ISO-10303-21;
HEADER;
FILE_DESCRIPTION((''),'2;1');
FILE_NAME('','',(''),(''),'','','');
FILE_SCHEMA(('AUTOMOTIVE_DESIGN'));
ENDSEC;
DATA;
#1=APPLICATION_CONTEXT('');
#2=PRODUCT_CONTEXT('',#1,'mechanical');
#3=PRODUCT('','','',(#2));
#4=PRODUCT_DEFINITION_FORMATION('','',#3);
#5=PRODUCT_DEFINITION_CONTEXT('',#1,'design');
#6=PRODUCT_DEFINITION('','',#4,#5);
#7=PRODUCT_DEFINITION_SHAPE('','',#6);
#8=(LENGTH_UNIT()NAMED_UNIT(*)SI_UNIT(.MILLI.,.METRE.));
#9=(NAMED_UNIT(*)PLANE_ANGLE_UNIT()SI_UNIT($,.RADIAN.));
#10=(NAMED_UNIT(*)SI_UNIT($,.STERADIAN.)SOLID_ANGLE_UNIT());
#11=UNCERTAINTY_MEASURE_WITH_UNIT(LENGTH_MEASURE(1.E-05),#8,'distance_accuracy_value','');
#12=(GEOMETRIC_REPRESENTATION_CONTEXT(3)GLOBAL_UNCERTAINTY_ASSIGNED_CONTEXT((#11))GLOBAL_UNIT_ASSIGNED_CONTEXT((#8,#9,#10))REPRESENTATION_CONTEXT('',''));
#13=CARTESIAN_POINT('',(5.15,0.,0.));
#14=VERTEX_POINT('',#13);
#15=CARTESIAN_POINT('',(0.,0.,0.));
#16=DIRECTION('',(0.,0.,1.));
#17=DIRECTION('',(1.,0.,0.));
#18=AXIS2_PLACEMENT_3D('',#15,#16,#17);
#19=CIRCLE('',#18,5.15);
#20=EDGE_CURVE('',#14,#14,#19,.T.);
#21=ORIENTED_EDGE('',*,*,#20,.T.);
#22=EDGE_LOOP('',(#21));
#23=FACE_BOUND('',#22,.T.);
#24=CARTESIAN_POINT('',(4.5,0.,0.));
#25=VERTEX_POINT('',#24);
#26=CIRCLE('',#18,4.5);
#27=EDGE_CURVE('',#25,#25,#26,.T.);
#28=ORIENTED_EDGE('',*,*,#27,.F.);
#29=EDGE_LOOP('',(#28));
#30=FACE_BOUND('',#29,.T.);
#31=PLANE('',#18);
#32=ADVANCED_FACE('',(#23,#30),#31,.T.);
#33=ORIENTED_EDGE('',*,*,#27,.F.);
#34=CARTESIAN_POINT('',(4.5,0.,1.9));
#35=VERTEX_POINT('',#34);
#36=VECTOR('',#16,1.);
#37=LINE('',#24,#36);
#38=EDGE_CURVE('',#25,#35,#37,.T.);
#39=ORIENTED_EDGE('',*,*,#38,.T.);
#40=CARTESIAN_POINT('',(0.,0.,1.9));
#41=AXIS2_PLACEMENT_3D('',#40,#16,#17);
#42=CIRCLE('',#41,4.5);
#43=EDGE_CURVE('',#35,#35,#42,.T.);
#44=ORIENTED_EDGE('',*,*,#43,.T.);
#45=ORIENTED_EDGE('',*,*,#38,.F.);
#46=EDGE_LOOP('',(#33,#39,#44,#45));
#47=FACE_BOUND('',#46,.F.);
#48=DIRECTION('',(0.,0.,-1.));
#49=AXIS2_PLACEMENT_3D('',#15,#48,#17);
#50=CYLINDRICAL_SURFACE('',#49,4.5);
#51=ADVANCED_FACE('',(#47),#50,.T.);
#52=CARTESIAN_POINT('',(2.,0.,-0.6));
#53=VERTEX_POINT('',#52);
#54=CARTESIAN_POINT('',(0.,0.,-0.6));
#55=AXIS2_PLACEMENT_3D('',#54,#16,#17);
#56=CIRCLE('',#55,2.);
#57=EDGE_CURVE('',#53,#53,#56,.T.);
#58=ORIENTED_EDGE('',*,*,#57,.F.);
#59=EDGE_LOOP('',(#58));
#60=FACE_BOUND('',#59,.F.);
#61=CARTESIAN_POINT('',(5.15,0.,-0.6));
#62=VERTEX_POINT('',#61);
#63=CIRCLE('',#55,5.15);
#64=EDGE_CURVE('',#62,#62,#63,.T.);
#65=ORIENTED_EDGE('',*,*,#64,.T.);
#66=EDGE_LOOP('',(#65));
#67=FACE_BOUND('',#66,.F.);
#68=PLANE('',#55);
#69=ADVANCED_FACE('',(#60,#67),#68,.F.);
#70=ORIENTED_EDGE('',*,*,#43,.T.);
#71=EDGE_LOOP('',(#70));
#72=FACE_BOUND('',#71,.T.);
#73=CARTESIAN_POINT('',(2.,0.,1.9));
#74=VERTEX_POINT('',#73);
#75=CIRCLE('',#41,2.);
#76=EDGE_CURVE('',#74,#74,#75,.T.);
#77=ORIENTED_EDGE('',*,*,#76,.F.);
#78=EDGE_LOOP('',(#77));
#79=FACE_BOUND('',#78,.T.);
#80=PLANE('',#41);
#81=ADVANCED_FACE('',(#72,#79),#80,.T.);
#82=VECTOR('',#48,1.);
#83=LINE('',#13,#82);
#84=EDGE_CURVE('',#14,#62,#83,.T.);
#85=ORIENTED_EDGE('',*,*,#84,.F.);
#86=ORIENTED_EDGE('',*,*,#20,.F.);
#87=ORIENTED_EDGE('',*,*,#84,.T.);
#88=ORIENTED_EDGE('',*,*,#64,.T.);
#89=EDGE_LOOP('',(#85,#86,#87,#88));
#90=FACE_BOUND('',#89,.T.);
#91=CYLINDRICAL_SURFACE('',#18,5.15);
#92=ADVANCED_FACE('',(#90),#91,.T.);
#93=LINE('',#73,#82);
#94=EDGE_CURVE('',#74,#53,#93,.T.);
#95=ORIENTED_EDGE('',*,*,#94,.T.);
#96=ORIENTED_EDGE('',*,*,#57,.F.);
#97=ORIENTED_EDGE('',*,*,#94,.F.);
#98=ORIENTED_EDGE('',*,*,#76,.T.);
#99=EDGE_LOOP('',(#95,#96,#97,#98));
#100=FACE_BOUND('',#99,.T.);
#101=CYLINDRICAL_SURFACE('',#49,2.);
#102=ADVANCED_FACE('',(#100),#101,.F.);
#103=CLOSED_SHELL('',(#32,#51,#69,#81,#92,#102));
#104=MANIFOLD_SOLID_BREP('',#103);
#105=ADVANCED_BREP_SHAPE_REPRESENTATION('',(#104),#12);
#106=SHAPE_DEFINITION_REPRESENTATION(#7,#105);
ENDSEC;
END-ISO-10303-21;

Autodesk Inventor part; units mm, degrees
ref_plane "YZ Plane" through (0, 0, 0) normal (1, 0, 0) x (0, 1, 0)
ref_plane "XZ Plane" through (0, 0, 0) normal (0, 1, 0) x (-1, 0, 0)
ref_plane "XY Plane" through (0, 0, 0) normal (0, 0, 1) x (1, 0, 0)
sketch "スケッチ1" plane through (0, 0, 0) normal (0, 0, 1) x (1, 0, 0)
  circle A0 centre (0, 0) radius 2
  circle A1 centre (0, 0) radius 4.5
  circle A2 centre (0, 0) radius 5.15
  dimension "d0" = 4
  dimension "d1" = 9
  dimension "d2" = 10.3
extrude "押し出し1" add sketch "スケッチ1" along normal blind 1.9 contours A1
extrude "押し出し2" add sketch "スケッチ1" against normal blind 0.6 contours A1 | A2
properties part number "ベアリング　内径4外径9"
